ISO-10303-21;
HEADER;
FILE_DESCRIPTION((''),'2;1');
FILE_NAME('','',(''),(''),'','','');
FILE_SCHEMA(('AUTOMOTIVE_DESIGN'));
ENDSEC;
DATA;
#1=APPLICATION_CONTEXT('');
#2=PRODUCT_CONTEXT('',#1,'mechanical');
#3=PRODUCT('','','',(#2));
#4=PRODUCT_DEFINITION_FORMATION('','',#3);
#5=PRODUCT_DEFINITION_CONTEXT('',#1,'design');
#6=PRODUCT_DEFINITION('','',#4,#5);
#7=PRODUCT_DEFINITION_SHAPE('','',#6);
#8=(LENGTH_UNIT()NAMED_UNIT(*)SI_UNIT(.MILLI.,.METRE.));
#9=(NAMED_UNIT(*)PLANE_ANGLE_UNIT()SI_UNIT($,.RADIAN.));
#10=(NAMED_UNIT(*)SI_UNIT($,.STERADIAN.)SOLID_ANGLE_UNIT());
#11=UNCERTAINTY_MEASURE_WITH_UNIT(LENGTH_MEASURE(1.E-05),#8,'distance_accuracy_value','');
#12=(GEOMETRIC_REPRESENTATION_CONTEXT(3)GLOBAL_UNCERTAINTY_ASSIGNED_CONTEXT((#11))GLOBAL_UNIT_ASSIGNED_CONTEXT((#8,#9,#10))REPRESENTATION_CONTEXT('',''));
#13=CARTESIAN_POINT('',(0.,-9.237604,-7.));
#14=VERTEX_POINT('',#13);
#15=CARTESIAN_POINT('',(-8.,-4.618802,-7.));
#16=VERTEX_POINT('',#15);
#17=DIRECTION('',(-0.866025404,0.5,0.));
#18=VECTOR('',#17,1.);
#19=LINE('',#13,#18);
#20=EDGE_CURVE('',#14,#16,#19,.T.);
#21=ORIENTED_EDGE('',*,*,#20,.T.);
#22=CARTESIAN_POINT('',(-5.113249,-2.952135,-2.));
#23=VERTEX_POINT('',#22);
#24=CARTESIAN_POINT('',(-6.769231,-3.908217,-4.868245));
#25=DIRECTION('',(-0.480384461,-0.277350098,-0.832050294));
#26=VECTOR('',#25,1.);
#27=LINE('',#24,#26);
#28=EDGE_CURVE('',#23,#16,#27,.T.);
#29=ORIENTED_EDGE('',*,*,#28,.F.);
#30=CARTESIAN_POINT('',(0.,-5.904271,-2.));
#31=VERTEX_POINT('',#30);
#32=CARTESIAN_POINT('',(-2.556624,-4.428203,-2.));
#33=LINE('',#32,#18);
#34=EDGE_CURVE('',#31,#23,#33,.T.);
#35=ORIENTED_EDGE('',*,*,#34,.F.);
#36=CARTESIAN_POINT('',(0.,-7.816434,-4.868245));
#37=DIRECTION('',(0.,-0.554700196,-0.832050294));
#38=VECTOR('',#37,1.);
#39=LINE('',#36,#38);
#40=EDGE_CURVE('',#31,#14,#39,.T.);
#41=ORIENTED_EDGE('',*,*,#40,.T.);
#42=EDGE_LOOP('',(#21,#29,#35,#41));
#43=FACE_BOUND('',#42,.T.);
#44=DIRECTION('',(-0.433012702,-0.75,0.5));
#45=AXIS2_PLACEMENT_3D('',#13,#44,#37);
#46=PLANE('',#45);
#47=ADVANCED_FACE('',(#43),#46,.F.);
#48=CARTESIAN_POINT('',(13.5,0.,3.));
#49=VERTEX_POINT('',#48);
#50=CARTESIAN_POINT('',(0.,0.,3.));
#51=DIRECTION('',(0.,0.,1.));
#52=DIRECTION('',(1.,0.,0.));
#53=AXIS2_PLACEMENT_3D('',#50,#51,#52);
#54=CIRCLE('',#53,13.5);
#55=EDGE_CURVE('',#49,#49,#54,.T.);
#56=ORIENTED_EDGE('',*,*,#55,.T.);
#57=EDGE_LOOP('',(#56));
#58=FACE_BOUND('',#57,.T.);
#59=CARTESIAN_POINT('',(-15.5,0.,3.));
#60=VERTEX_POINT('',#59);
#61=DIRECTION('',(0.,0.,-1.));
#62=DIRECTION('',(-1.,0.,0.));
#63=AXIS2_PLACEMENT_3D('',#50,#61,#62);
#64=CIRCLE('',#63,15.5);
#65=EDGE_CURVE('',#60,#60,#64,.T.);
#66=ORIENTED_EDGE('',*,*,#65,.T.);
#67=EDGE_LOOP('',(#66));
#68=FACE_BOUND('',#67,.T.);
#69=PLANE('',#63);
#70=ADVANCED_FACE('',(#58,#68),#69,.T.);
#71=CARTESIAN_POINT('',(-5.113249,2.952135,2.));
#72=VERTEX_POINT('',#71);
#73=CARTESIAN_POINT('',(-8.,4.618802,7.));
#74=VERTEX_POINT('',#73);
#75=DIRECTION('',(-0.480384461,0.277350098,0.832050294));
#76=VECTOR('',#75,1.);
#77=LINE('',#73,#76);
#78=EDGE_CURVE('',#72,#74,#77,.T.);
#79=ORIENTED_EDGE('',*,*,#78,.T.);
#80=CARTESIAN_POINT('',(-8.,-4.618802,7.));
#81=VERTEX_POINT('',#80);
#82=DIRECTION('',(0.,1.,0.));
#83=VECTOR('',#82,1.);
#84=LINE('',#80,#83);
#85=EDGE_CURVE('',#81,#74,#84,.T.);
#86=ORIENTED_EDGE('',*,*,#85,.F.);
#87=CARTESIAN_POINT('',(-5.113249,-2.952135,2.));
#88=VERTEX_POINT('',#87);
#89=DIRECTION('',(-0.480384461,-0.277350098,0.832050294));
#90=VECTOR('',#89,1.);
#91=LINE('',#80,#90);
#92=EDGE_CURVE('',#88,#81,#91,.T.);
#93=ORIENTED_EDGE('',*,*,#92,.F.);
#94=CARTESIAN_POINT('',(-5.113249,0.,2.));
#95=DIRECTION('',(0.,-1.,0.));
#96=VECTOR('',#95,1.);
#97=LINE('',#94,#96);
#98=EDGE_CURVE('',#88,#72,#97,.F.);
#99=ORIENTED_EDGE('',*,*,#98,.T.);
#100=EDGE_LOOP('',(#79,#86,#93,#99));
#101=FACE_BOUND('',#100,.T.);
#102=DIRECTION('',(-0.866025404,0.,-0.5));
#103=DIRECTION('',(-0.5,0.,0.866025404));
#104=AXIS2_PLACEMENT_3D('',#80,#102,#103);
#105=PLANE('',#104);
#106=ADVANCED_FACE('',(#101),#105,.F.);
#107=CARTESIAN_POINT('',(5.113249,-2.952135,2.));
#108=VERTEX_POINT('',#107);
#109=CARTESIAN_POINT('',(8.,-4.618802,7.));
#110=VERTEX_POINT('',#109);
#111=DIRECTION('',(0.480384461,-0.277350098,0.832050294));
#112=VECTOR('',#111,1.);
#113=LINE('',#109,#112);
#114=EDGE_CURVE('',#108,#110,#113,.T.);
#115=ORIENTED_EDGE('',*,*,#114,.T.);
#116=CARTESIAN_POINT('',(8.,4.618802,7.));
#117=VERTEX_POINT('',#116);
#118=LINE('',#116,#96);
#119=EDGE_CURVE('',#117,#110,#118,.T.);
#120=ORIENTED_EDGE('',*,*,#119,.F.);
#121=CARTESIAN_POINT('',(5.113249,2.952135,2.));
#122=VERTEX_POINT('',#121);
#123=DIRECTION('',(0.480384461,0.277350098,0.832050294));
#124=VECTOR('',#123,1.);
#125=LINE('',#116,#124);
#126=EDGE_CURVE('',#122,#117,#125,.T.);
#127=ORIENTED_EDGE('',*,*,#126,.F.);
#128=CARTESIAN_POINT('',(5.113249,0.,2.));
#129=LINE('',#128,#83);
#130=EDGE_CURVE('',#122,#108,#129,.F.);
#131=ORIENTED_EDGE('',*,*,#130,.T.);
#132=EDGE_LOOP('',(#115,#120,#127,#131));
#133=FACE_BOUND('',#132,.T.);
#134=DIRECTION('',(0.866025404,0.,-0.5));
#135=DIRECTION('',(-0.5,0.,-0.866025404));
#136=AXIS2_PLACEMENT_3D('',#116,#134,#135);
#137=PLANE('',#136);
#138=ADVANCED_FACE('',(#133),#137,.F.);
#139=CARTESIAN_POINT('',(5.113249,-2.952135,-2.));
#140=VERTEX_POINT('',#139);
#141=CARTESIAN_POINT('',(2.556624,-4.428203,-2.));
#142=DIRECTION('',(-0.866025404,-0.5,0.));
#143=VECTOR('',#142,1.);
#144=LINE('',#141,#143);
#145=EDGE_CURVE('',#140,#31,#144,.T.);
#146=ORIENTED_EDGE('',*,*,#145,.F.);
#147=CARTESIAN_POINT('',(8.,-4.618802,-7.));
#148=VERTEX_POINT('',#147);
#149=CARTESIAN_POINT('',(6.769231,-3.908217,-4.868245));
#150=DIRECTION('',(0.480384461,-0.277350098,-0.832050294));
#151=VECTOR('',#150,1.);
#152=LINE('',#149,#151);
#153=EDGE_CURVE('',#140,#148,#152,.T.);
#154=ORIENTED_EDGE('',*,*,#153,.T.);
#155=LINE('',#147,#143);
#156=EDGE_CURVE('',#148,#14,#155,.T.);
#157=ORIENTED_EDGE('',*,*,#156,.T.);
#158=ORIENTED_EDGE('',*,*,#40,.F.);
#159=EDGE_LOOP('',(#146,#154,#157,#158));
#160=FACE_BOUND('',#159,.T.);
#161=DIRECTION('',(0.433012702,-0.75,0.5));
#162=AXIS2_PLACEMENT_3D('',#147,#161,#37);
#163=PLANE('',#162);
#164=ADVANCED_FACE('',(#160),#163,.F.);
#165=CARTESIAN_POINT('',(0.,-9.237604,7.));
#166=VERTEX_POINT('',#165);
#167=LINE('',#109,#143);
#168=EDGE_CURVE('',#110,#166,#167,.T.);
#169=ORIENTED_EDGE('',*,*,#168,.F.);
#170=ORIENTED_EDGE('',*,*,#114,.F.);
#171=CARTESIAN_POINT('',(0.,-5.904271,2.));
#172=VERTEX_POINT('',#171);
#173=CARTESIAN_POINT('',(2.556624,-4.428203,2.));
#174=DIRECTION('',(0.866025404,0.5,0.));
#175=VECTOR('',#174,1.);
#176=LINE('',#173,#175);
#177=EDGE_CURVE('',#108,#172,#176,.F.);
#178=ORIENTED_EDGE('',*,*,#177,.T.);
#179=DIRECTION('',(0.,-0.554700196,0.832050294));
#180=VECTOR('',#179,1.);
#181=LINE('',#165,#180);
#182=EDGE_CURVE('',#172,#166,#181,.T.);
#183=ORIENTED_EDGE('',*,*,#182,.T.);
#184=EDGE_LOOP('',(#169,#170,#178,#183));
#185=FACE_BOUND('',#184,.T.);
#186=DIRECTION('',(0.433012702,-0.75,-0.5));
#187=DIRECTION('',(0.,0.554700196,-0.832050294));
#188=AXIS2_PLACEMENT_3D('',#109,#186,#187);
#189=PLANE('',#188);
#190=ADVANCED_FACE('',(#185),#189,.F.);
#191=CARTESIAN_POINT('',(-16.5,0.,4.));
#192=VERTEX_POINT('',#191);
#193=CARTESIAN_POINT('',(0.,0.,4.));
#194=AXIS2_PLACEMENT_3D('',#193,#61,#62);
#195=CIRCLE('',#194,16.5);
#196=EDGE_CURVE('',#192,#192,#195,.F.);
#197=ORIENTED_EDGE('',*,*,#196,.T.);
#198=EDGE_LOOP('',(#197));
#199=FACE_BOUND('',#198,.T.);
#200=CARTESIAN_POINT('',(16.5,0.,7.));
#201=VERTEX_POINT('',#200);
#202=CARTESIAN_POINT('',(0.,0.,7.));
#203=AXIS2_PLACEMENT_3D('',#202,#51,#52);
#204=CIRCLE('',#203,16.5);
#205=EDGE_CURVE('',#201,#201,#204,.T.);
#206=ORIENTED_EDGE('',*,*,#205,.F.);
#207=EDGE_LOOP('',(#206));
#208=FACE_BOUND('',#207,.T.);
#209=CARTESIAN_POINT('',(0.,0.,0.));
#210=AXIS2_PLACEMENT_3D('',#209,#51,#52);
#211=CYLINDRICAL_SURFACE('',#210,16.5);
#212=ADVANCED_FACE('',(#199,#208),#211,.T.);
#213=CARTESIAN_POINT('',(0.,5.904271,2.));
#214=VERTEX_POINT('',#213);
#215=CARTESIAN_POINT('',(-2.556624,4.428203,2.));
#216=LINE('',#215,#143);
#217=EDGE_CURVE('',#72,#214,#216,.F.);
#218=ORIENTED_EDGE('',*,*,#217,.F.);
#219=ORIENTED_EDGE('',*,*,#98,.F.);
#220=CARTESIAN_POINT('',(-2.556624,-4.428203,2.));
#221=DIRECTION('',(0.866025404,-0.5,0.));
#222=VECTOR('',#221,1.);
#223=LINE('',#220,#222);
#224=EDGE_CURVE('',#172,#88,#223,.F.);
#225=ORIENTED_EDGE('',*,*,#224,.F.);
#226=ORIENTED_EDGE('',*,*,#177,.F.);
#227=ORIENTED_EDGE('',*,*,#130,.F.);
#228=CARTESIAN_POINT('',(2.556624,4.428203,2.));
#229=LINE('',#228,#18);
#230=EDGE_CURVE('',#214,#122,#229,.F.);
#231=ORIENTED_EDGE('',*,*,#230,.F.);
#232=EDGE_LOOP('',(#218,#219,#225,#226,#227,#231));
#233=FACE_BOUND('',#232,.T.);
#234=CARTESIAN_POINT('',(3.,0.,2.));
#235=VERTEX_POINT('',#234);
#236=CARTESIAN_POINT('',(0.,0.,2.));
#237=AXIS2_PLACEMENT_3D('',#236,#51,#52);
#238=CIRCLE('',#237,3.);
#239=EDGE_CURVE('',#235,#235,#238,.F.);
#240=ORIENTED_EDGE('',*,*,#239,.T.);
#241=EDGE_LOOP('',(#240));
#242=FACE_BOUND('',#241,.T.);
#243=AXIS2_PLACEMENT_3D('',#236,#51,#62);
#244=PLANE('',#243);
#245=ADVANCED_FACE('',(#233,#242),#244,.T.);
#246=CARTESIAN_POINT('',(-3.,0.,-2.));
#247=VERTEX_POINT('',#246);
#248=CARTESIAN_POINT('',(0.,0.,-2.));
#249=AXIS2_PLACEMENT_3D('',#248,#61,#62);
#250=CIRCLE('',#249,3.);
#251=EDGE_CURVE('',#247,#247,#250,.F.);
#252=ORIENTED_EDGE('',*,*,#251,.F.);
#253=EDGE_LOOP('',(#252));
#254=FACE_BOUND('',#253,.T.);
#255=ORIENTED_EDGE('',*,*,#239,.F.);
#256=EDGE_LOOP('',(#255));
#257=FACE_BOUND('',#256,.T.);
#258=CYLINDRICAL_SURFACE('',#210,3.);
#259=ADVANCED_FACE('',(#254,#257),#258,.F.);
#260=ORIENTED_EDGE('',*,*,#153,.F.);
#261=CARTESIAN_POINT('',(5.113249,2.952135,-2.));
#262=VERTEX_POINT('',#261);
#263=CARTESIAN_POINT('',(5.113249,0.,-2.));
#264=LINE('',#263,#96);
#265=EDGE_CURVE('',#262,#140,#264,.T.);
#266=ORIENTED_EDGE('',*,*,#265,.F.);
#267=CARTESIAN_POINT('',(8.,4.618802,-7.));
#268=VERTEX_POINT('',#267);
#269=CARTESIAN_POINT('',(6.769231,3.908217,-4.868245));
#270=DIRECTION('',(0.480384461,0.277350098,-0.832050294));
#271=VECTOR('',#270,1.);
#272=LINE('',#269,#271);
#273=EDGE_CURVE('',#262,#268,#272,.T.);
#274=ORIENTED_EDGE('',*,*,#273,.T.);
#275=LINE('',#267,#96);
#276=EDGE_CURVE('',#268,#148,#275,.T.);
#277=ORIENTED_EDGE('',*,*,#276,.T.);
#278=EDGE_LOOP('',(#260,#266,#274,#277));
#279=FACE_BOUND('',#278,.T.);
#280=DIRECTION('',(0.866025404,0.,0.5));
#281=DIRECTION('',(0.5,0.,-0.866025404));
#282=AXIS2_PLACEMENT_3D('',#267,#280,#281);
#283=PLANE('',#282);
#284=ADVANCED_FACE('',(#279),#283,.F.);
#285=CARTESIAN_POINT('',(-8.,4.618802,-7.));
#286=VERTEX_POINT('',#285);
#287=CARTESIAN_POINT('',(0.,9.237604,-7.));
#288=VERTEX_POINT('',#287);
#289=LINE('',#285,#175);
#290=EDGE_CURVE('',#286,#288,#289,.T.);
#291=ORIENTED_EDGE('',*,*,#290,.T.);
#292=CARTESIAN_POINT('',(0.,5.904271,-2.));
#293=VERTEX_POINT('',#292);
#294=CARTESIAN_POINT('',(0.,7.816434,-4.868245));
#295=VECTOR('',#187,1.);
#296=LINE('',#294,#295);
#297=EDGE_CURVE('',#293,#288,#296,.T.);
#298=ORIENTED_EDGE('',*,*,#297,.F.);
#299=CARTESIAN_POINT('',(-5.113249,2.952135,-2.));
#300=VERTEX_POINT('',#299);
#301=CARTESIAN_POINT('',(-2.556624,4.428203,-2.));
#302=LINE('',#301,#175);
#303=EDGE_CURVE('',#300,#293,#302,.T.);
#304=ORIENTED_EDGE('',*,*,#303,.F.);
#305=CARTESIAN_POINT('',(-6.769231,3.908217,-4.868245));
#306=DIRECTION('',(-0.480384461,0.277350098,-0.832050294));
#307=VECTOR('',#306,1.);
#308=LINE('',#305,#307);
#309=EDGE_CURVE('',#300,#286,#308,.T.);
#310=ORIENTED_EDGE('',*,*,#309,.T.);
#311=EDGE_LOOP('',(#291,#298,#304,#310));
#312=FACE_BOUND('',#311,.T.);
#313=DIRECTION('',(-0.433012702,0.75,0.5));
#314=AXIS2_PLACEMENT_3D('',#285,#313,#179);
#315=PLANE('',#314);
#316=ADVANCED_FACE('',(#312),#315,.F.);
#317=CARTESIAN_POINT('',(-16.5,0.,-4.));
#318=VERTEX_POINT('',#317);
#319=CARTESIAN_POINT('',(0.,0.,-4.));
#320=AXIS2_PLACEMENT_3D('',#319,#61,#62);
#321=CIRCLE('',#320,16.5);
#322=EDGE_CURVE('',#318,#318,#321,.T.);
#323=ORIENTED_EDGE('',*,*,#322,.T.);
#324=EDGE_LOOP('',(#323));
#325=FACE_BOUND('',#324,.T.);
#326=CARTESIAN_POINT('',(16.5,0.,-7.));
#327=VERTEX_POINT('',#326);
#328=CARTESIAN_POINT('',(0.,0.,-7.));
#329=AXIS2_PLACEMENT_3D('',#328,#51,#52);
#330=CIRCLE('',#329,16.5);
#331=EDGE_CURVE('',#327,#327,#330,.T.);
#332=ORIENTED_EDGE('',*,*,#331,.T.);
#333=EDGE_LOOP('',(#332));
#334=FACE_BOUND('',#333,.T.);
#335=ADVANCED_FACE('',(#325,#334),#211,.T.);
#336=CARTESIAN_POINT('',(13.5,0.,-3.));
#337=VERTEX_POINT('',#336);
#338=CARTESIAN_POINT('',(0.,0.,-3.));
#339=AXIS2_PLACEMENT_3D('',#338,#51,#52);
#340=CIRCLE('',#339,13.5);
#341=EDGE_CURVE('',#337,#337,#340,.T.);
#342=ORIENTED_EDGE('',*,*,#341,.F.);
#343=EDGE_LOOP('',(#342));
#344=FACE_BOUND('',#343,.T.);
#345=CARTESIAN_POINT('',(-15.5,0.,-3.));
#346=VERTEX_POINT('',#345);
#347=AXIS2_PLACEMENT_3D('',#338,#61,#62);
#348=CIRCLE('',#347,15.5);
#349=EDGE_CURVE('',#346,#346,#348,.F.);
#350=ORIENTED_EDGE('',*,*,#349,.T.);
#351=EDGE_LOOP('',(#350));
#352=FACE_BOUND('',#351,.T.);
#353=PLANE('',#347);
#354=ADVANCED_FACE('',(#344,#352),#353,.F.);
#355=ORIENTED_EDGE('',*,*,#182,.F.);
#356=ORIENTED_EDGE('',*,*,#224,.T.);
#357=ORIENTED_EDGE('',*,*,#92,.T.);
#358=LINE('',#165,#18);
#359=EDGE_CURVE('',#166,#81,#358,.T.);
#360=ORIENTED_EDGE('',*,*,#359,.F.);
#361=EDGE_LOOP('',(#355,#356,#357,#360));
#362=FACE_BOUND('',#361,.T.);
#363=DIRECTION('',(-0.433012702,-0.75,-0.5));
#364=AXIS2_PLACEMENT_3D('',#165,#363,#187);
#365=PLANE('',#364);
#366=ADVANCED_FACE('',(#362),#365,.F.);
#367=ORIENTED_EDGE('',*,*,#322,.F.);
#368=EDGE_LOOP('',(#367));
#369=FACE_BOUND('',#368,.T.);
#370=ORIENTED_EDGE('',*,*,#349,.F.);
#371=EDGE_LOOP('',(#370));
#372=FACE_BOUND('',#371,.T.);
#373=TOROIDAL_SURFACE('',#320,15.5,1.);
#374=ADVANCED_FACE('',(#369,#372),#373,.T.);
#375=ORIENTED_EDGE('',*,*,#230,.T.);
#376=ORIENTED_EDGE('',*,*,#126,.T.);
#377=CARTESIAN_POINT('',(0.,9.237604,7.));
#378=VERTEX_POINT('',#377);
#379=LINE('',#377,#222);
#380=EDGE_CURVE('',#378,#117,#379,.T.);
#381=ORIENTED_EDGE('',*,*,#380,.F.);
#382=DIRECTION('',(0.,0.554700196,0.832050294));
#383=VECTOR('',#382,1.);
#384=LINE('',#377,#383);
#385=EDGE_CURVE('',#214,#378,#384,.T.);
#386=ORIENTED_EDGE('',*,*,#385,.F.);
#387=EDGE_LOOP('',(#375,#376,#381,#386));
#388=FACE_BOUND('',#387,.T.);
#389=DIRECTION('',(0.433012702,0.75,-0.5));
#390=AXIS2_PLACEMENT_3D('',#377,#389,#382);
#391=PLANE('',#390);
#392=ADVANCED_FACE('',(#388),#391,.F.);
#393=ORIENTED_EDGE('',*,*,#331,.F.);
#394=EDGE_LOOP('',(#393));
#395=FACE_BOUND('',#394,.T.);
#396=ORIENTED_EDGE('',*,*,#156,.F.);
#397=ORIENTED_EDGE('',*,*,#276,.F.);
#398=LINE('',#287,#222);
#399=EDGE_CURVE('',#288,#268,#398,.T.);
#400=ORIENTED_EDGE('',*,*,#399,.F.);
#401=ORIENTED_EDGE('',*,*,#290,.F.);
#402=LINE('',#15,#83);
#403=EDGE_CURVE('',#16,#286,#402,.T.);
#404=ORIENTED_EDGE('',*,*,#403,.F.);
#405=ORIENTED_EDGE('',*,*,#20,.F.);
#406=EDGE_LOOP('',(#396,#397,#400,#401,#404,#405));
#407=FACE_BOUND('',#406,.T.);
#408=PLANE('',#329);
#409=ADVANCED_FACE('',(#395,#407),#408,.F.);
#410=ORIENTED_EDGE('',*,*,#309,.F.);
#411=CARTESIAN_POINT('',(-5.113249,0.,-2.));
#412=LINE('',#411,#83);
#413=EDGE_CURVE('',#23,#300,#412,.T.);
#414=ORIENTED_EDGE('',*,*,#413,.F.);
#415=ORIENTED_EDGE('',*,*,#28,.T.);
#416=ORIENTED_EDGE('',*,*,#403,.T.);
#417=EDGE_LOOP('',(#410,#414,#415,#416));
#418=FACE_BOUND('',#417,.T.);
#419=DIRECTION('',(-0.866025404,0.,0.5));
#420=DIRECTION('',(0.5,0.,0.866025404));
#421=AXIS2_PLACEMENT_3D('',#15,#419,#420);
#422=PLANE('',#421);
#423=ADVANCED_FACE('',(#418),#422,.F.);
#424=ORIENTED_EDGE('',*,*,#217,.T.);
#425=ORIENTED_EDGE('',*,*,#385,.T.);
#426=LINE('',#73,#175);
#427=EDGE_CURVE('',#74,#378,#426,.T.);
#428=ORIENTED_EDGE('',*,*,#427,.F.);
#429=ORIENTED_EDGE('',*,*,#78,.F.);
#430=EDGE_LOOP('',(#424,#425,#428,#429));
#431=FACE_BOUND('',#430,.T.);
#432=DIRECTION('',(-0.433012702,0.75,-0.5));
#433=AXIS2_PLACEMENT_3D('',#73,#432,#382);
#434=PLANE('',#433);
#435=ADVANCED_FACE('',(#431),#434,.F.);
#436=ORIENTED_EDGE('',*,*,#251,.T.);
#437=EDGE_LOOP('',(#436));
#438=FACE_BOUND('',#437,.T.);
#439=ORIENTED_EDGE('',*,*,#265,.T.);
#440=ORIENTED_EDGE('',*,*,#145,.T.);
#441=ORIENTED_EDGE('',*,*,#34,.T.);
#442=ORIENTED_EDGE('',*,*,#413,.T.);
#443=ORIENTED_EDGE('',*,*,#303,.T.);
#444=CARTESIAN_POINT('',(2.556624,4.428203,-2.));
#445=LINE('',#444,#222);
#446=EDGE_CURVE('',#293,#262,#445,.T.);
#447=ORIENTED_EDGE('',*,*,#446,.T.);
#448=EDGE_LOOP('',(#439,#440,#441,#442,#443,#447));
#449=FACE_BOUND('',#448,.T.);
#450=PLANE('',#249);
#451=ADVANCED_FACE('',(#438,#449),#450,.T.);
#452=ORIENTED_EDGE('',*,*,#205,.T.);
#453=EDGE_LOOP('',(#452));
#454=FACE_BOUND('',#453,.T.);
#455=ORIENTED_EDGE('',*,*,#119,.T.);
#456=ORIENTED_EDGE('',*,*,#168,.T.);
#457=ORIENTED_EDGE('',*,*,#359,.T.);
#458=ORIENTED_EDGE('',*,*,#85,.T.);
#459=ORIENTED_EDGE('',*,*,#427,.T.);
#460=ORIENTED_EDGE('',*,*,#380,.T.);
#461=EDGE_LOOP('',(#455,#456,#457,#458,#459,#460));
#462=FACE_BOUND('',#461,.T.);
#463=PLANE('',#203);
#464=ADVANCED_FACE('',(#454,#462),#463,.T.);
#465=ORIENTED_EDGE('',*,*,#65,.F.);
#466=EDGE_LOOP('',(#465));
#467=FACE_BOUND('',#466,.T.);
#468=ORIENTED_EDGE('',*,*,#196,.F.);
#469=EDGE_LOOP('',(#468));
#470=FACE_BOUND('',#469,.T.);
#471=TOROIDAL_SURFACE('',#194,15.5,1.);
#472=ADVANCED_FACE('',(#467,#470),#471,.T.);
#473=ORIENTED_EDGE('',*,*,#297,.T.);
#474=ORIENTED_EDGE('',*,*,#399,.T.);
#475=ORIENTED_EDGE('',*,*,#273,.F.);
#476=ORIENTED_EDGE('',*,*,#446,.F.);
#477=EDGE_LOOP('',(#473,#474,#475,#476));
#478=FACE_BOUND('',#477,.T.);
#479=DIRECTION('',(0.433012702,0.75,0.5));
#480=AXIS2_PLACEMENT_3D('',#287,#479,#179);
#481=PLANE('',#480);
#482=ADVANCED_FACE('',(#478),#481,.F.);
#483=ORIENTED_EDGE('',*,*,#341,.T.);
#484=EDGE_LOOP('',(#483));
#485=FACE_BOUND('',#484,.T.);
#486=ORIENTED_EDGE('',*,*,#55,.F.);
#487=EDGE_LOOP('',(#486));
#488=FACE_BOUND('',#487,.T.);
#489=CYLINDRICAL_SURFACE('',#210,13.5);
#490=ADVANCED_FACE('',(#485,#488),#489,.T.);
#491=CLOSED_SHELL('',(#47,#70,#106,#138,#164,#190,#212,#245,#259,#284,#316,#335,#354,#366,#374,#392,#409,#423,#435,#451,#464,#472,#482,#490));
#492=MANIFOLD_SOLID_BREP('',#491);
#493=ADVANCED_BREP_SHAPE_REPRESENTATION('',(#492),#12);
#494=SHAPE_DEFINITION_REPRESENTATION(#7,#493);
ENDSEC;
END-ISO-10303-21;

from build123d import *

# Parameters (mm, degrees)
FILLET2_R            = 1
CUT_EXTRUDE2_DEPTH   = 5
CUT_EXTRUDE2_DRAFT   = -30
MIRROR1_COPY_1_DEPTH = 5
MIRROR1_COPY_1_DRAFT = -30


with BuildPart() as part:
    # Sketch2 → Revolve1 (revolve)
    with BuildSketch(Plane(origin=(0, 0, 0), x_dir=(0, 0, -1), z_dir=(1, 0, 0)), mode=Mode.PRIVATE) as revolve1_sk:
        Polygon((-7, 16.5), (-7, 3), (0, 3), (0, 13.5), (-3, 13.5), (-3, 16.5), align=None)
        Polygon((0, 13.5), (0, 3), (7, 3), (7, 16.5), (3, 16.5), (3, 13.5), align=None)
    revolve(revolve1_sk.sketch.rotate(Axis((0, 0, 0), (0, 0, -1)), 90), axis=Axis((0, 0, 0), (0, 0, -1)))

    # Fillet2
    fillet2_edges = [part.edges().sort_by_distance(p)[0] for p in [
        (-16.5, 0, -3),
        (-16.5, 0, 3),
    ]]
    fillet(fillet2_edges, radius=FILLET2_R)


with BuildPart() as cut_extrude2_tool:
    # Sketch5 → Cut-Extrude2 (with draft: the straight prism first)
    with BuildSketch(Plane(origin=(0, 0, -7), x_dir=(-1, 0, 0), z_dir=(0, 0, -1))):
        Polygon((0, 9.237604307), (-8, 4.618802154), (-8, -4.618802154), (0, -9.237604307), (8, -4.618802154), (8, 4.618802154), align=None)
    extrude(amount=-CUT_EXTRUDE2_DEPTH)
    # Cut-Extrude2: the draft: its side faces are tilted about the plane it starts from
    cut_extrude2_sides = [cut_extrude2_tool.faces().sort_by_distance(p)[0] for p in [
        (4, 6.92820323, -4.5),
        (8, 0, -4.5),
        (4, -6.92820323, -4.5),
        (-4, -6.92820323, -4.5),
        (-8, 0, -4.5),
        (-4, 6.92820323, -4.5),
    ]]
    draft(cut_extrude2_sides, Plane(origin=(0, 0, -7), x_dir=(-1, 0, 0), z_dir=(0, 0, -1)), CUT_EXTRUDE2_DRAFT)


with BuildPart() as part_1:
    add(part.part)

    # Cut-Extrude2: cut by cut_extrude2_tool
    add(cut_extrude2_tool.part, mode=Mode.SUBTRACT)


with BuildPart() as mirror1_copy_1_tool:
    # Mirror1 copy 1 sketch → Mirror1 copy 1 (with draft: the straight prism first)
    with BuildSketch(Plane(origin=(0, 0, 7), x_dir=(-1, 0, 0), z_dir=(0, 0, 1))):
        Polygon((0, -9.237604307), (-8, -4.618802154), (-8, 4.618802154), (0, 9.237604307), (8, 4.618802154), (8, -4.618802154), align=None)
    extrude(amount=-MIRROR1_COPY_1_DEPTH)
    # Mirror1 copy 1: the draft: its side faces are tilted about the plane it starts from
    mirror1_copy_1_sides = [mirror1_copy_1_tool.faces().sort_by_distance(p)[0] for p in [
        (4, 6.92820323, 4.5),
        (8, 0, 4.5),
        (4, -6.92820323, 4.5),
        (-4, -6.92820323, 4.5),
        (-8, 0, 4.5),
        (-4, 6.92820323, 4.5),
    ]]
    draft(mirror1_copy_1_sides, Plane(origin=(0, 0, 7), x_dir=(-1, 0, 0), z_dir=(0, 0, 1)), MIRROR1_COPY_1_DRAFT)


with BuildPart() as part_2:
    add(part_1.part)

    # Mirror1 copy 1: cut by mirror1_copy_1_tool
    add(mirror1_copy_1_tool.part, mode=Mode.SUBTRACT)


solid = part_2.part
